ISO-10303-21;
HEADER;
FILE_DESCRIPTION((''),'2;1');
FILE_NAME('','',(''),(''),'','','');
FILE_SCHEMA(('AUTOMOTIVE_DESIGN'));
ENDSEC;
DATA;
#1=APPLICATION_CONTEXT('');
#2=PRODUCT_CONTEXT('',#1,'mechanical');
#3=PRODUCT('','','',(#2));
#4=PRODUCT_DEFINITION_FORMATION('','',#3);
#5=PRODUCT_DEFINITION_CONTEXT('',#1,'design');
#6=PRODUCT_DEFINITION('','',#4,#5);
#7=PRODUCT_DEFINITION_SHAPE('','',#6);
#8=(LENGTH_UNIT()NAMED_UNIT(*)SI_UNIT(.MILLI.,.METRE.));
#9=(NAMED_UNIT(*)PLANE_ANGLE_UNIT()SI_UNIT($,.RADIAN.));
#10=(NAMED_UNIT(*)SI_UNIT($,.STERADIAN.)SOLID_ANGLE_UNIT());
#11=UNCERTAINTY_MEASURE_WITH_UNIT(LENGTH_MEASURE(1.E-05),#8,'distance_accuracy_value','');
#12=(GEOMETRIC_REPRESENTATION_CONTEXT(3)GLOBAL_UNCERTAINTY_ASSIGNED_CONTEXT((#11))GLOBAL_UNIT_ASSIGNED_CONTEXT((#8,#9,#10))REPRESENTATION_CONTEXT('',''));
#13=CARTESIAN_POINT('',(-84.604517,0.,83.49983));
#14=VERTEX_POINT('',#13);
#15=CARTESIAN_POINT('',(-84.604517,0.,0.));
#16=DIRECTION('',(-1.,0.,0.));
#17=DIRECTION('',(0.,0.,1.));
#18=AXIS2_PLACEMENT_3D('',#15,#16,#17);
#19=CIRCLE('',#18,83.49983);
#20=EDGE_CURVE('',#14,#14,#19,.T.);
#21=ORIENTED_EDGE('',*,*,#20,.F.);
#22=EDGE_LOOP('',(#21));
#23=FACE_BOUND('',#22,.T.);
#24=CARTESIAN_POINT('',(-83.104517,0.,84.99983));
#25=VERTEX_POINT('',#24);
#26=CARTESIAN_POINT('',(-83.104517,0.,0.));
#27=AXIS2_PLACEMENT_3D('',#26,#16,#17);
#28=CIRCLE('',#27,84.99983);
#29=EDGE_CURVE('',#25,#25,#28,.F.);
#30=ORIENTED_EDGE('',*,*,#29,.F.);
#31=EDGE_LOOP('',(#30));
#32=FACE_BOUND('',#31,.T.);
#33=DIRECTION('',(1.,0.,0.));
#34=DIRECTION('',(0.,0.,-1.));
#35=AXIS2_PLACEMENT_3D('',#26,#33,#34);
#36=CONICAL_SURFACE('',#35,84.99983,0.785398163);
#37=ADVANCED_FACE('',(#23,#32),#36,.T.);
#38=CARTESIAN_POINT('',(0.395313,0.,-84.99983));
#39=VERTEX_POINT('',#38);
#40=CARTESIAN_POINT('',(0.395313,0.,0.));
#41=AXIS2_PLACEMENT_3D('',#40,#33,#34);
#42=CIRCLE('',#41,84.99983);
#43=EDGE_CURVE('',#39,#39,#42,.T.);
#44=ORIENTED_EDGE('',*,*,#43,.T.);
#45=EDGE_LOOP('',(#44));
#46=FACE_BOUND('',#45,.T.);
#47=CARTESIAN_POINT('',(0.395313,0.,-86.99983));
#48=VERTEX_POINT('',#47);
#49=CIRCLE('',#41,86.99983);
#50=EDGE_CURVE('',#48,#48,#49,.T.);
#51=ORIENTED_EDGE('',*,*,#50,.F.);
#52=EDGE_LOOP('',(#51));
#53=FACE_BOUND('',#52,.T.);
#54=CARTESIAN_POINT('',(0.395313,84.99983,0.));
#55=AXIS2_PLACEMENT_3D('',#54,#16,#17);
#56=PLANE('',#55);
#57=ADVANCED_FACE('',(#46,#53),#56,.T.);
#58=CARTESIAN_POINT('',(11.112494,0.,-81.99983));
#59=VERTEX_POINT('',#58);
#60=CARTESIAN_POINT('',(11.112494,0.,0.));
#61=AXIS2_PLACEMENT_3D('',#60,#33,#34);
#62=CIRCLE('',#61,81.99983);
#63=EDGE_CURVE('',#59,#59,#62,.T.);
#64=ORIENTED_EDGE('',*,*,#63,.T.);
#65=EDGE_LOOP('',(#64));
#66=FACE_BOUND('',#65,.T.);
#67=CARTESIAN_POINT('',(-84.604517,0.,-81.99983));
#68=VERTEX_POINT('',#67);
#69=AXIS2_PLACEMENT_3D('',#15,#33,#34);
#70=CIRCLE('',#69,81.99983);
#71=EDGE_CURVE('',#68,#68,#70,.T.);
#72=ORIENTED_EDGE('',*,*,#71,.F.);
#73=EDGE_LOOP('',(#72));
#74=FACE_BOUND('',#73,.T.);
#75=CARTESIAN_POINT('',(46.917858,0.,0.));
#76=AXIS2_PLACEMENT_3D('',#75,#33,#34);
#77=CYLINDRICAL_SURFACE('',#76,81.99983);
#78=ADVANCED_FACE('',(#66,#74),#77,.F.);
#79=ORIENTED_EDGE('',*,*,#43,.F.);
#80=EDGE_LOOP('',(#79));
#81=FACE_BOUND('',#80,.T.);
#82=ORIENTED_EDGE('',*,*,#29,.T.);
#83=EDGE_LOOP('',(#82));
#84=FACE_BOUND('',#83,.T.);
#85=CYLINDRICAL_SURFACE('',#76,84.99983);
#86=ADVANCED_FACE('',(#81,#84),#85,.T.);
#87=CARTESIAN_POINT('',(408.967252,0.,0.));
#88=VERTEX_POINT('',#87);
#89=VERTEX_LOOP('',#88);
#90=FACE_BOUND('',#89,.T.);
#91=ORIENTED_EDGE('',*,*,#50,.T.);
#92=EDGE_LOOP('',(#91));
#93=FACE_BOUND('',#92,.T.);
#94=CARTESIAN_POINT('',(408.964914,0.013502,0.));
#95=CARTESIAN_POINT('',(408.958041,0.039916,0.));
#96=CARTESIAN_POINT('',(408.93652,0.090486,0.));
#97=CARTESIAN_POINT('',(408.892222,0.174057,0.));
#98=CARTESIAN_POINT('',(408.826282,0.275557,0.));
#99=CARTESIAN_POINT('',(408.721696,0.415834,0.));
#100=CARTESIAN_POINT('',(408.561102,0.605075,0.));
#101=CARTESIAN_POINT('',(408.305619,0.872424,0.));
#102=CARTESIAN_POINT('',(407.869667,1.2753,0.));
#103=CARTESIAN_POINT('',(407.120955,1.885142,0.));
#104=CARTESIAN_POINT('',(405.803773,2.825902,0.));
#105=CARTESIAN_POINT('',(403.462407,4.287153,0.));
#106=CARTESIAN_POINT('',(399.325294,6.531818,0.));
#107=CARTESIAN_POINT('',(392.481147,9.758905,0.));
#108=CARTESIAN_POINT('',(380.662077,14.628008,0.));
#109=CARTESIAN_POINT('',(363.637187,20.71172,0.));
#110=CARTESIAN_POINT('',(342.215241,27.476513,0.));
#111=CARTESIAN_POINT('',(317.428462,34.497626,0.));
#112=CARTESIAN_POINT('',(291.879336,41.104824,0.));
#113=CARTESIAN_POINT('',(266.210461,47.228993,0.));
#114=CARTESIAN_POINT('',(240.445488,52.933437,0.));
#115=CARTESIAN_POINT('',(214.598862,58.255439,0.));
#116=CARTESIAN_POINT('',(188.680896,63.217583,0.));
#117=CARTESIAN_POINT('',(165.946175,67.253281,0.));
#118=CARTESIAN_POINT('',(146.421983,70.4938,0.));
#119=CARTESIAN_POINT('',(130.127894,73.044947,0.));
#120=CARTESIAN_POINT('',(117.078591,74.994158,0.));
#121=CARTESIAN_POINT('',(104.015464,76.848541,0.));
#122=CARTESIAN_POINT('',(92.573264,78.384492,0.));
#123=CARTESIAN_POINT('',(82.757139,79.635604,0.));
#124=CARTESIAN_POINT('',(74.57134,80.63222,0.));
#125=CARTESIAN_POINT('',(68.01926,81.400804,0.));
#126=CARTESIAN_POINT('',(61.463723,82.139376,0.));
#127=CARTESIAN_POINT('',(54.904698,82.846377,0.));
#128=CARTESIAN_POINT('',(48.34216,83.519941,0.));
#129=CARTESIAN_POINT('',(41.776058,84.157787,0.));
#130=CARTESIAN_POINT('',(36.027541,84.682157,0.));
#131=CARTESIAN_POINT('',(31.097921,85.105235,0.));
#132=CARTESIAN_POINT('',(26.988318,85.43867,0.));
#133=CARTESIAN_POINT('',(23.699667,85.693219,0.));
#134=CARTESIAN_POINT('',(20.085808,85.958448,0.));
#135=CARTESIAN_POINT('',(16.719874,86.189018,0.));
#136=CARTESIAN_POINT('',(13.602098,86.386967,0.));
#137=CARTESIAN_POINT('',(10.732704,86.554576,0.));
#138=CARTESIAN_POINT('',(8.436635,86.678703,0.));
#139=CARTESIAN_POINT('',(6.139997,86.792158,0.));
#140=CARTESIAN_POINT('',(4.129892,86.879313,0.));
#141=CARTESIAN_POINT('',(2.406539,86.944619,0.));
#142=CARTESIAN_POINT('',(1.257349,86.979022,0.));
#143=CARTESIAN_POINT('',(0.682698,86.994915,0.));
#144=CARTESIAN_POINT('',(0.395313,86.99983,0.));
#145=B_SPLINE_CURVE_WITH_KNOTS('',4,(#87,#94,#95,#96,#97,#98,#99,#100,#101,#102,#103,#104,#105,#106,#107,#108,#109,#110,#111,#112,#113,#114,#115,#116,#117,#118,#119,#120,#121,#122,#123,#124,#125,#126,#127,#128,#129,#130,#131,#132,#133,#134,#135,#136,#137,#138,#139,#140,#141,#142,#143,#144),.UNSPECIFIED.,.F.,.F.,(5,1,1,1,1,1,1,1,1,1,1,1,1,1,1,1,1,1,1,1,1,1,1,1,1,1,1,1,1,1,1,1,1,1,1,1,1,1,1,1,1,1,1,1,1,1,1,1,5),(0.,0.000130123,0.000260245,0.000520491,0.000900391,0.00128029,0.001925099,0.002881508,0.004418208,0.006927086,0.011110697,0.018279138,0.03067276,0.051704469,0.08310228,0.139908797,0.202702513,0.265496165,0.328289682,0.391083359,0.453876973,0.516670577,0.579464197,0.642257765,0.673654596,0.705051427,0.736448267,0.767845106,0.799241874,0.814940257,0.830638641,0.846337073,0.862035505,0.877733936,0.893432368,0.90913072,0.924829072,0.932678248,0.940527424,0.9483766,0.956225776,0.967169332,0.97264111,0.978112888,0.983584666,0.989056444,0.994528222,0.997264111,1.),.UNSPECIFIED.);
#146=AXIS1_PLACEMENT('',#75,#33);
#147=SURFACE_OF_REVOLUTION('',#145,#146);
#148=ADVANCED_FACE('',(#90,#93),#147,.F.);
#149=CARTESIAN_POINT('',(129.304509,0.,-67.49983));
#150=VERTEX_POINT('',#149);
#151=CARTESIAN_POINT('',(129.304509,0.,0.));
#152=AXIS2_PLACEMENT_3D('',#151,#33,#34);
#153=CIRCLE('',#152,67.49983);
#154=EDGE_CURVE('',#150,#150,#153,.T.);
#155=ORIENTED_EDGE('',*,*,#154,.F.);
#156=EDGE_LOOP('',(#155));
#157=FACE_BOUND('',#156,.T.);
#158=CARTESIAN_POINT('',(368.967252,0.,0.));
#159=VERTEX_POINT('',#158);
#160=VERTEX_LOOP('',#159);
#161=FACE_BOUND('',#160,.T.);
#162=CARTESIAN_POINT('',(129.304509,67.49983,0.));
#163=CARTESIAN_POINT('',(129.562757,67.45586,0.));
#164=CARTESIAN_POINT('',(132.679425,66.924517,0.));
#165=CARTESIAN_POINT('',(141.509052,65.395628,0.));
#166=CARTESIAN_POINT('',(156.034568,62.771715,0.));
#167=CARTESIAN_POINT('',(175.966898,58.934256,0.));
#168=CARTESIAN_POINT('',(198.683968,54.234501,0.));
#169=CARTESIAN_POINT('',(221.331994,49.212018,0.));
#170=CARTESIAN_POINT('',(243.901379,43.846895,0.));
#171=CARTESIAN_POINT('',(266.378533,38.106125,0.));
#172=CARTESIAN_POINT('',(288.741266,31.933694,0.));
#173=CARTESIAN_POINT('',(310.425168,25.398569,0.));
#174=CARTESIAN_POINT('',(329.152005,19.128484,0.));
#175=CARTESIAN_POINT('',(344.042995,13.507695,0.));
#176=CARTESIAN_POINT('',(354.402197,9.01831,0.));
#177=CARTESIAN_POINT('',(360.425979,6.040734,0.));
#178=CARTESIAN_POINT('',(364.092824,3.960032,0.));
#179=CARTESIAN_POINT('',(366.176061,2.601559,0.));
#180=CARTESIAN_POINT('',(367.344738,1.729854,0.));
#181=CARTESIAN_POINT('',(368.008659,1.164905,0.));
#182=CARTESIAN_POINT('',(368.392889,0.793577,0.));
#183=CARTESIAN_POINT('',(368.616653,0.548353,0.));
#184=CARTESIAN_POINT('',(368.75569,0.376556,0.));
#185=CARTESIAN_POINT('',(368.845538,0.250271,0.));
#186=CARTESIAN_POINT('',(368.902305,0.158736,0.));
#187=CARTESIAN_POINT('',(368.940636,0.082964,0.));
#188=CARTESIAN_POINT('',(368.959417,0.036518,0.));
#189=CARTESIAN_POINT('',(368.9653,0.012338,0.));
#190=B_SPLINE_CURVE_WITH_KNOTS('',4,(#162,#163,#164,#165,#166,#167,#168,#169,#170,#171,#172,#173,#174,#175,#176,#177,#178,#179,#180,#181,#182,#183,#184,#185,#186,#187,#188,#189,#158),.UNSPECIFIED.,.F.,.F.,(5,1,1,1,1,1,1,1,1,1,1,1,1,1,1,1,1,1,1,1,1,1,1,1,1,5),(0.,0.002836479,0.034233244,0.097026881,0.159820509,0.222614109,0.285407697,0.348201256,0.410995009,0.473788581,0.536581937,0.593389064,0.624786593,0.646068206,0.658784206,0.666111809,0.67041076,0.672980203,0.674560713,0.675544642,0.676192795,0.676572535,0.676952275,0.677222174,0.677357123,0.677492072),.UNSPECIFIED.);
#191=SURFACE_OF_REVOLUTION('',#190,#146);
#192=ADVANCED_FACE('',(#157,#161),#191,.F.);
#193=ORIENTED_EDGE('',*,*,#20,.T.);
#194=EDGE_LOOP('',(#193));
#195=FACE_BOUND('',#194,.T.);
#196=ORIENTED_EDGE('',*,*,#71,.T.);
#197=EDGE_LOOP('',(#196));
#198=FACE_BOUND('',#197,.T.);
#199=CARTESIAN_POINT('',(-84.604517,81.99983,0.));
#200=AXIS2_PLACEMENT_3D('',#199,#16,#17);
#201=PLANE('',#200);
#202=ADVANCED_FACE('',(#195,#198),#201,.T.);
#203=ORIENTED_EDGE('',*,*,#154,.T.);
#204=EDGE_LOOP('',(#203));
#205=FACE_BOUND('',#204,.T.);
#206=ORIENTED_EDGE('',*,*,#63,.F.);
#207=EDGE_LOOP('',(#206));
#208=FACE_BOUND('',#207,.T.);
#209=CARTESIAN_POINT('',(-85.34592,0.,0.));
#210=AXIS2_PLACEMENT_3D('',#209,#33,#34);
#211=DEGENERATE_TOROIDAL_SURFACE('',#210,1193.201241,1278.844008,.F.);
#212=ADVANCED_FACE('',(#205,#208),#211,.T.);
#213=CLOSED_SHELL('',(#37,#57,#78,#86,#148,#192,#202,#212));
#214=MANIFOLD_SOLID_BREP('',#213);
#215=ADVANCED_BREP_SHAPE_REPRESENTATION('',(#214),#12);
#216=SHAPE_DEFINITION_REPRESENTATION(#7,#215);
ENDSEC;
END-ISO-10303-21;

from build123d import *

# Parameters (mm, degrees)
CHAMFER1_SIZE = 1.5


with BuildPart() as part:
    # Sketch10 → Revolve1 (revolve)
    with BuildSketch(Plane.XY):
        with BuildLine():
            Line((11.112493743, 81.99983), (-84.604517473, 81.99983))
            Line((-84.604517473, 81.99983), (-84.604517473, 84.99983))
            Line((-84.604517473, 84.99983), (0.395312527, 84.99983))
            Line((0.395312527, 84.99983), (0.395312527, 86.99983))
            add(Edge.make_bspline(
                [(408.967251823, 0), (408.964913524, 0.013501739), (408.958040758, 0.039916077), (408.936520441, 0.090485698), (408.892222076, 0.174057132), (408.826281575, 0.275556803), (408.721696416, 0.415833756), (408.561101809, 0.605075245), (408.30561918, 0.87242415), (407.86966713, 1.275299562), (407.120955138, 1.885142115), (405.803773451, 2.82590185), (403.46240692, 4.287152794), (399.325294488, 6.531818454), (392.481146888, 9.758904649), (380.662076725, 14.628008466), (363.637187185, 20.711720382), (342.215241093, 27.476512989), (317.428462321, 34.49762647), (291.879335737, 41.10482439), (266.21046092, 47.228993169), (240.44548836, 52.933436777), (214.598861982, 58.255439009), (188.68089566, 63.217582693), (165.946174917, 67.253280679), (146.421982586, 70.493799722), (130.127893898, 73.044947468), (117.078590637, 74.994157933), (104.015464216, 76.84854079), (92.573263959, 78.384492045), (82.757139441, 79.635603973), (74.571340184, 80.632219902), (68.019260454, 81.400804211), (61.463723364, 82.139375899), (54.90469802, 82.84637726), (48.342159918, 83.519940506), (41.776057559, 84.15778717), (36.02754108, 84.682157239), (31.097921259, 85.105234912), (26.988317923, 85.438669825), (23.699666618, 85.693218594), (20.085807822, 85.958448038), (16.719873821, 86.189018485), (13.602098287, 86.386966779), (10.732704013, 86.554575744), (8.436635008, 86.678703291), (6.139997341, 86.792157585), (4.129892063, 86.879313264), (2.40653858, 86.944618982), (1.257348635, 86.979022496), (0.68269791, 86.99491462), (0.395312527, 86.99983)],
                knots=[0, 0, 0, 0, 0, 0.000130123, 0.000260245, 0.000520491, 0.000900391, 0.00128029, 0.001925099, 0.002881508, 0.004418208, 0.006927086, 0.011110697, 0.018279138, 0.03067276, 0.051704469, 0.08310228, 0.139908797, 0.202702513, 0.265496165, 0.328289682, 0.391083359, 0.453876973, 0.516670577, 0.579464197, 0.642257765, 0.673654596, 0.705051427, 0.736448267, 0.767845106, 0.799241874, 0.814940257, 0.830638641, 0.846337073, 0.862035505, 0.877733936, 0.893432368, 0.90913072, 0.924829072, 0.932678248, 0.940527424, 0.9483766, 0.956225776, 0.967169332, 0.97264111, 0.978112888, 0.983584666, 0.989056444, 0.994528222, 0.997264111, 1, 1, 1, 1, 1], degree=4))
            Line((408.967251823, 0), (368.967251823, 0))
            add(Edge.make_bspline(
                [(368.967251823, 0), (368.965299543, 0.012338489), (368.959416882, 0.036518378), (368.940636147, 0.082964007), (368.902304552, 0.158736421), (368.845538097, 0.250270687), (368.755690124, 0.376555746), (368.616653262, 0.54835284), (368.392888737, 0.793577299), (368.008659121, 1.164904965), (367.344738263, 1.729853685), (366.176060796, 2.601559154), (364.09282389, 3.960032328), (360.425978756, 6.040734396), (354.402196649, 9.01831007), (344.042994901, 13.507695011), (329.152005398, 19.128483965), (310.425167902, 25.398569259), (288.741266406, 31.933693508), (266.378532845, 38.106125474), (243.901379123, 43.846895186), (221.331994001, 49.212017941), (198.683967629, 54.234500927), (175.966897581, 58.934255644), (156.034567874, 62.771715365), (141.509051931, 65.395628269), (132.679425236, 66.924517444), (129.562757303, 67.455859883), (129.304508698, 67.49983)],
                knots=[0, 0, 0, 0, 0, 0.000134949, 0.000269899, 0.000539798, 0.000919537, 0.001299277, 0.001947431, 0.00293136, 0.004511869, 0.007081312, 0.011380263, 0.018707867, 0.031423867, 0.052705479, 0.084103008, 0.140910136, 0.203703492, 0.266497064, 0.329290816, 0.392084375, 0.454877964, 0.517671564, 0.580465191, 0.643258828, 0.674655593, 0.677492072, 0.677492072, 0.677492072, 0.677492072, 0.677492072], degree=4))
            ThreePointArc((129.304508698, 67.49983), (70.377361693, 76.126240996), (11.112493743, 81.99983))
        make_face()
    revolve(axis=Axis((46.917858469, 0, 0), (-1, 0, 0)))

    # Chamfer1
    chamfer1_edges = [part.edges().sort_by_distance(p)[0] for p in [
        (-84.604517473, -84.99983, 0),
    ]]
    chamfer(chamfer1_edges, length=CHAMFER1_SIZE)


solid = part.part
